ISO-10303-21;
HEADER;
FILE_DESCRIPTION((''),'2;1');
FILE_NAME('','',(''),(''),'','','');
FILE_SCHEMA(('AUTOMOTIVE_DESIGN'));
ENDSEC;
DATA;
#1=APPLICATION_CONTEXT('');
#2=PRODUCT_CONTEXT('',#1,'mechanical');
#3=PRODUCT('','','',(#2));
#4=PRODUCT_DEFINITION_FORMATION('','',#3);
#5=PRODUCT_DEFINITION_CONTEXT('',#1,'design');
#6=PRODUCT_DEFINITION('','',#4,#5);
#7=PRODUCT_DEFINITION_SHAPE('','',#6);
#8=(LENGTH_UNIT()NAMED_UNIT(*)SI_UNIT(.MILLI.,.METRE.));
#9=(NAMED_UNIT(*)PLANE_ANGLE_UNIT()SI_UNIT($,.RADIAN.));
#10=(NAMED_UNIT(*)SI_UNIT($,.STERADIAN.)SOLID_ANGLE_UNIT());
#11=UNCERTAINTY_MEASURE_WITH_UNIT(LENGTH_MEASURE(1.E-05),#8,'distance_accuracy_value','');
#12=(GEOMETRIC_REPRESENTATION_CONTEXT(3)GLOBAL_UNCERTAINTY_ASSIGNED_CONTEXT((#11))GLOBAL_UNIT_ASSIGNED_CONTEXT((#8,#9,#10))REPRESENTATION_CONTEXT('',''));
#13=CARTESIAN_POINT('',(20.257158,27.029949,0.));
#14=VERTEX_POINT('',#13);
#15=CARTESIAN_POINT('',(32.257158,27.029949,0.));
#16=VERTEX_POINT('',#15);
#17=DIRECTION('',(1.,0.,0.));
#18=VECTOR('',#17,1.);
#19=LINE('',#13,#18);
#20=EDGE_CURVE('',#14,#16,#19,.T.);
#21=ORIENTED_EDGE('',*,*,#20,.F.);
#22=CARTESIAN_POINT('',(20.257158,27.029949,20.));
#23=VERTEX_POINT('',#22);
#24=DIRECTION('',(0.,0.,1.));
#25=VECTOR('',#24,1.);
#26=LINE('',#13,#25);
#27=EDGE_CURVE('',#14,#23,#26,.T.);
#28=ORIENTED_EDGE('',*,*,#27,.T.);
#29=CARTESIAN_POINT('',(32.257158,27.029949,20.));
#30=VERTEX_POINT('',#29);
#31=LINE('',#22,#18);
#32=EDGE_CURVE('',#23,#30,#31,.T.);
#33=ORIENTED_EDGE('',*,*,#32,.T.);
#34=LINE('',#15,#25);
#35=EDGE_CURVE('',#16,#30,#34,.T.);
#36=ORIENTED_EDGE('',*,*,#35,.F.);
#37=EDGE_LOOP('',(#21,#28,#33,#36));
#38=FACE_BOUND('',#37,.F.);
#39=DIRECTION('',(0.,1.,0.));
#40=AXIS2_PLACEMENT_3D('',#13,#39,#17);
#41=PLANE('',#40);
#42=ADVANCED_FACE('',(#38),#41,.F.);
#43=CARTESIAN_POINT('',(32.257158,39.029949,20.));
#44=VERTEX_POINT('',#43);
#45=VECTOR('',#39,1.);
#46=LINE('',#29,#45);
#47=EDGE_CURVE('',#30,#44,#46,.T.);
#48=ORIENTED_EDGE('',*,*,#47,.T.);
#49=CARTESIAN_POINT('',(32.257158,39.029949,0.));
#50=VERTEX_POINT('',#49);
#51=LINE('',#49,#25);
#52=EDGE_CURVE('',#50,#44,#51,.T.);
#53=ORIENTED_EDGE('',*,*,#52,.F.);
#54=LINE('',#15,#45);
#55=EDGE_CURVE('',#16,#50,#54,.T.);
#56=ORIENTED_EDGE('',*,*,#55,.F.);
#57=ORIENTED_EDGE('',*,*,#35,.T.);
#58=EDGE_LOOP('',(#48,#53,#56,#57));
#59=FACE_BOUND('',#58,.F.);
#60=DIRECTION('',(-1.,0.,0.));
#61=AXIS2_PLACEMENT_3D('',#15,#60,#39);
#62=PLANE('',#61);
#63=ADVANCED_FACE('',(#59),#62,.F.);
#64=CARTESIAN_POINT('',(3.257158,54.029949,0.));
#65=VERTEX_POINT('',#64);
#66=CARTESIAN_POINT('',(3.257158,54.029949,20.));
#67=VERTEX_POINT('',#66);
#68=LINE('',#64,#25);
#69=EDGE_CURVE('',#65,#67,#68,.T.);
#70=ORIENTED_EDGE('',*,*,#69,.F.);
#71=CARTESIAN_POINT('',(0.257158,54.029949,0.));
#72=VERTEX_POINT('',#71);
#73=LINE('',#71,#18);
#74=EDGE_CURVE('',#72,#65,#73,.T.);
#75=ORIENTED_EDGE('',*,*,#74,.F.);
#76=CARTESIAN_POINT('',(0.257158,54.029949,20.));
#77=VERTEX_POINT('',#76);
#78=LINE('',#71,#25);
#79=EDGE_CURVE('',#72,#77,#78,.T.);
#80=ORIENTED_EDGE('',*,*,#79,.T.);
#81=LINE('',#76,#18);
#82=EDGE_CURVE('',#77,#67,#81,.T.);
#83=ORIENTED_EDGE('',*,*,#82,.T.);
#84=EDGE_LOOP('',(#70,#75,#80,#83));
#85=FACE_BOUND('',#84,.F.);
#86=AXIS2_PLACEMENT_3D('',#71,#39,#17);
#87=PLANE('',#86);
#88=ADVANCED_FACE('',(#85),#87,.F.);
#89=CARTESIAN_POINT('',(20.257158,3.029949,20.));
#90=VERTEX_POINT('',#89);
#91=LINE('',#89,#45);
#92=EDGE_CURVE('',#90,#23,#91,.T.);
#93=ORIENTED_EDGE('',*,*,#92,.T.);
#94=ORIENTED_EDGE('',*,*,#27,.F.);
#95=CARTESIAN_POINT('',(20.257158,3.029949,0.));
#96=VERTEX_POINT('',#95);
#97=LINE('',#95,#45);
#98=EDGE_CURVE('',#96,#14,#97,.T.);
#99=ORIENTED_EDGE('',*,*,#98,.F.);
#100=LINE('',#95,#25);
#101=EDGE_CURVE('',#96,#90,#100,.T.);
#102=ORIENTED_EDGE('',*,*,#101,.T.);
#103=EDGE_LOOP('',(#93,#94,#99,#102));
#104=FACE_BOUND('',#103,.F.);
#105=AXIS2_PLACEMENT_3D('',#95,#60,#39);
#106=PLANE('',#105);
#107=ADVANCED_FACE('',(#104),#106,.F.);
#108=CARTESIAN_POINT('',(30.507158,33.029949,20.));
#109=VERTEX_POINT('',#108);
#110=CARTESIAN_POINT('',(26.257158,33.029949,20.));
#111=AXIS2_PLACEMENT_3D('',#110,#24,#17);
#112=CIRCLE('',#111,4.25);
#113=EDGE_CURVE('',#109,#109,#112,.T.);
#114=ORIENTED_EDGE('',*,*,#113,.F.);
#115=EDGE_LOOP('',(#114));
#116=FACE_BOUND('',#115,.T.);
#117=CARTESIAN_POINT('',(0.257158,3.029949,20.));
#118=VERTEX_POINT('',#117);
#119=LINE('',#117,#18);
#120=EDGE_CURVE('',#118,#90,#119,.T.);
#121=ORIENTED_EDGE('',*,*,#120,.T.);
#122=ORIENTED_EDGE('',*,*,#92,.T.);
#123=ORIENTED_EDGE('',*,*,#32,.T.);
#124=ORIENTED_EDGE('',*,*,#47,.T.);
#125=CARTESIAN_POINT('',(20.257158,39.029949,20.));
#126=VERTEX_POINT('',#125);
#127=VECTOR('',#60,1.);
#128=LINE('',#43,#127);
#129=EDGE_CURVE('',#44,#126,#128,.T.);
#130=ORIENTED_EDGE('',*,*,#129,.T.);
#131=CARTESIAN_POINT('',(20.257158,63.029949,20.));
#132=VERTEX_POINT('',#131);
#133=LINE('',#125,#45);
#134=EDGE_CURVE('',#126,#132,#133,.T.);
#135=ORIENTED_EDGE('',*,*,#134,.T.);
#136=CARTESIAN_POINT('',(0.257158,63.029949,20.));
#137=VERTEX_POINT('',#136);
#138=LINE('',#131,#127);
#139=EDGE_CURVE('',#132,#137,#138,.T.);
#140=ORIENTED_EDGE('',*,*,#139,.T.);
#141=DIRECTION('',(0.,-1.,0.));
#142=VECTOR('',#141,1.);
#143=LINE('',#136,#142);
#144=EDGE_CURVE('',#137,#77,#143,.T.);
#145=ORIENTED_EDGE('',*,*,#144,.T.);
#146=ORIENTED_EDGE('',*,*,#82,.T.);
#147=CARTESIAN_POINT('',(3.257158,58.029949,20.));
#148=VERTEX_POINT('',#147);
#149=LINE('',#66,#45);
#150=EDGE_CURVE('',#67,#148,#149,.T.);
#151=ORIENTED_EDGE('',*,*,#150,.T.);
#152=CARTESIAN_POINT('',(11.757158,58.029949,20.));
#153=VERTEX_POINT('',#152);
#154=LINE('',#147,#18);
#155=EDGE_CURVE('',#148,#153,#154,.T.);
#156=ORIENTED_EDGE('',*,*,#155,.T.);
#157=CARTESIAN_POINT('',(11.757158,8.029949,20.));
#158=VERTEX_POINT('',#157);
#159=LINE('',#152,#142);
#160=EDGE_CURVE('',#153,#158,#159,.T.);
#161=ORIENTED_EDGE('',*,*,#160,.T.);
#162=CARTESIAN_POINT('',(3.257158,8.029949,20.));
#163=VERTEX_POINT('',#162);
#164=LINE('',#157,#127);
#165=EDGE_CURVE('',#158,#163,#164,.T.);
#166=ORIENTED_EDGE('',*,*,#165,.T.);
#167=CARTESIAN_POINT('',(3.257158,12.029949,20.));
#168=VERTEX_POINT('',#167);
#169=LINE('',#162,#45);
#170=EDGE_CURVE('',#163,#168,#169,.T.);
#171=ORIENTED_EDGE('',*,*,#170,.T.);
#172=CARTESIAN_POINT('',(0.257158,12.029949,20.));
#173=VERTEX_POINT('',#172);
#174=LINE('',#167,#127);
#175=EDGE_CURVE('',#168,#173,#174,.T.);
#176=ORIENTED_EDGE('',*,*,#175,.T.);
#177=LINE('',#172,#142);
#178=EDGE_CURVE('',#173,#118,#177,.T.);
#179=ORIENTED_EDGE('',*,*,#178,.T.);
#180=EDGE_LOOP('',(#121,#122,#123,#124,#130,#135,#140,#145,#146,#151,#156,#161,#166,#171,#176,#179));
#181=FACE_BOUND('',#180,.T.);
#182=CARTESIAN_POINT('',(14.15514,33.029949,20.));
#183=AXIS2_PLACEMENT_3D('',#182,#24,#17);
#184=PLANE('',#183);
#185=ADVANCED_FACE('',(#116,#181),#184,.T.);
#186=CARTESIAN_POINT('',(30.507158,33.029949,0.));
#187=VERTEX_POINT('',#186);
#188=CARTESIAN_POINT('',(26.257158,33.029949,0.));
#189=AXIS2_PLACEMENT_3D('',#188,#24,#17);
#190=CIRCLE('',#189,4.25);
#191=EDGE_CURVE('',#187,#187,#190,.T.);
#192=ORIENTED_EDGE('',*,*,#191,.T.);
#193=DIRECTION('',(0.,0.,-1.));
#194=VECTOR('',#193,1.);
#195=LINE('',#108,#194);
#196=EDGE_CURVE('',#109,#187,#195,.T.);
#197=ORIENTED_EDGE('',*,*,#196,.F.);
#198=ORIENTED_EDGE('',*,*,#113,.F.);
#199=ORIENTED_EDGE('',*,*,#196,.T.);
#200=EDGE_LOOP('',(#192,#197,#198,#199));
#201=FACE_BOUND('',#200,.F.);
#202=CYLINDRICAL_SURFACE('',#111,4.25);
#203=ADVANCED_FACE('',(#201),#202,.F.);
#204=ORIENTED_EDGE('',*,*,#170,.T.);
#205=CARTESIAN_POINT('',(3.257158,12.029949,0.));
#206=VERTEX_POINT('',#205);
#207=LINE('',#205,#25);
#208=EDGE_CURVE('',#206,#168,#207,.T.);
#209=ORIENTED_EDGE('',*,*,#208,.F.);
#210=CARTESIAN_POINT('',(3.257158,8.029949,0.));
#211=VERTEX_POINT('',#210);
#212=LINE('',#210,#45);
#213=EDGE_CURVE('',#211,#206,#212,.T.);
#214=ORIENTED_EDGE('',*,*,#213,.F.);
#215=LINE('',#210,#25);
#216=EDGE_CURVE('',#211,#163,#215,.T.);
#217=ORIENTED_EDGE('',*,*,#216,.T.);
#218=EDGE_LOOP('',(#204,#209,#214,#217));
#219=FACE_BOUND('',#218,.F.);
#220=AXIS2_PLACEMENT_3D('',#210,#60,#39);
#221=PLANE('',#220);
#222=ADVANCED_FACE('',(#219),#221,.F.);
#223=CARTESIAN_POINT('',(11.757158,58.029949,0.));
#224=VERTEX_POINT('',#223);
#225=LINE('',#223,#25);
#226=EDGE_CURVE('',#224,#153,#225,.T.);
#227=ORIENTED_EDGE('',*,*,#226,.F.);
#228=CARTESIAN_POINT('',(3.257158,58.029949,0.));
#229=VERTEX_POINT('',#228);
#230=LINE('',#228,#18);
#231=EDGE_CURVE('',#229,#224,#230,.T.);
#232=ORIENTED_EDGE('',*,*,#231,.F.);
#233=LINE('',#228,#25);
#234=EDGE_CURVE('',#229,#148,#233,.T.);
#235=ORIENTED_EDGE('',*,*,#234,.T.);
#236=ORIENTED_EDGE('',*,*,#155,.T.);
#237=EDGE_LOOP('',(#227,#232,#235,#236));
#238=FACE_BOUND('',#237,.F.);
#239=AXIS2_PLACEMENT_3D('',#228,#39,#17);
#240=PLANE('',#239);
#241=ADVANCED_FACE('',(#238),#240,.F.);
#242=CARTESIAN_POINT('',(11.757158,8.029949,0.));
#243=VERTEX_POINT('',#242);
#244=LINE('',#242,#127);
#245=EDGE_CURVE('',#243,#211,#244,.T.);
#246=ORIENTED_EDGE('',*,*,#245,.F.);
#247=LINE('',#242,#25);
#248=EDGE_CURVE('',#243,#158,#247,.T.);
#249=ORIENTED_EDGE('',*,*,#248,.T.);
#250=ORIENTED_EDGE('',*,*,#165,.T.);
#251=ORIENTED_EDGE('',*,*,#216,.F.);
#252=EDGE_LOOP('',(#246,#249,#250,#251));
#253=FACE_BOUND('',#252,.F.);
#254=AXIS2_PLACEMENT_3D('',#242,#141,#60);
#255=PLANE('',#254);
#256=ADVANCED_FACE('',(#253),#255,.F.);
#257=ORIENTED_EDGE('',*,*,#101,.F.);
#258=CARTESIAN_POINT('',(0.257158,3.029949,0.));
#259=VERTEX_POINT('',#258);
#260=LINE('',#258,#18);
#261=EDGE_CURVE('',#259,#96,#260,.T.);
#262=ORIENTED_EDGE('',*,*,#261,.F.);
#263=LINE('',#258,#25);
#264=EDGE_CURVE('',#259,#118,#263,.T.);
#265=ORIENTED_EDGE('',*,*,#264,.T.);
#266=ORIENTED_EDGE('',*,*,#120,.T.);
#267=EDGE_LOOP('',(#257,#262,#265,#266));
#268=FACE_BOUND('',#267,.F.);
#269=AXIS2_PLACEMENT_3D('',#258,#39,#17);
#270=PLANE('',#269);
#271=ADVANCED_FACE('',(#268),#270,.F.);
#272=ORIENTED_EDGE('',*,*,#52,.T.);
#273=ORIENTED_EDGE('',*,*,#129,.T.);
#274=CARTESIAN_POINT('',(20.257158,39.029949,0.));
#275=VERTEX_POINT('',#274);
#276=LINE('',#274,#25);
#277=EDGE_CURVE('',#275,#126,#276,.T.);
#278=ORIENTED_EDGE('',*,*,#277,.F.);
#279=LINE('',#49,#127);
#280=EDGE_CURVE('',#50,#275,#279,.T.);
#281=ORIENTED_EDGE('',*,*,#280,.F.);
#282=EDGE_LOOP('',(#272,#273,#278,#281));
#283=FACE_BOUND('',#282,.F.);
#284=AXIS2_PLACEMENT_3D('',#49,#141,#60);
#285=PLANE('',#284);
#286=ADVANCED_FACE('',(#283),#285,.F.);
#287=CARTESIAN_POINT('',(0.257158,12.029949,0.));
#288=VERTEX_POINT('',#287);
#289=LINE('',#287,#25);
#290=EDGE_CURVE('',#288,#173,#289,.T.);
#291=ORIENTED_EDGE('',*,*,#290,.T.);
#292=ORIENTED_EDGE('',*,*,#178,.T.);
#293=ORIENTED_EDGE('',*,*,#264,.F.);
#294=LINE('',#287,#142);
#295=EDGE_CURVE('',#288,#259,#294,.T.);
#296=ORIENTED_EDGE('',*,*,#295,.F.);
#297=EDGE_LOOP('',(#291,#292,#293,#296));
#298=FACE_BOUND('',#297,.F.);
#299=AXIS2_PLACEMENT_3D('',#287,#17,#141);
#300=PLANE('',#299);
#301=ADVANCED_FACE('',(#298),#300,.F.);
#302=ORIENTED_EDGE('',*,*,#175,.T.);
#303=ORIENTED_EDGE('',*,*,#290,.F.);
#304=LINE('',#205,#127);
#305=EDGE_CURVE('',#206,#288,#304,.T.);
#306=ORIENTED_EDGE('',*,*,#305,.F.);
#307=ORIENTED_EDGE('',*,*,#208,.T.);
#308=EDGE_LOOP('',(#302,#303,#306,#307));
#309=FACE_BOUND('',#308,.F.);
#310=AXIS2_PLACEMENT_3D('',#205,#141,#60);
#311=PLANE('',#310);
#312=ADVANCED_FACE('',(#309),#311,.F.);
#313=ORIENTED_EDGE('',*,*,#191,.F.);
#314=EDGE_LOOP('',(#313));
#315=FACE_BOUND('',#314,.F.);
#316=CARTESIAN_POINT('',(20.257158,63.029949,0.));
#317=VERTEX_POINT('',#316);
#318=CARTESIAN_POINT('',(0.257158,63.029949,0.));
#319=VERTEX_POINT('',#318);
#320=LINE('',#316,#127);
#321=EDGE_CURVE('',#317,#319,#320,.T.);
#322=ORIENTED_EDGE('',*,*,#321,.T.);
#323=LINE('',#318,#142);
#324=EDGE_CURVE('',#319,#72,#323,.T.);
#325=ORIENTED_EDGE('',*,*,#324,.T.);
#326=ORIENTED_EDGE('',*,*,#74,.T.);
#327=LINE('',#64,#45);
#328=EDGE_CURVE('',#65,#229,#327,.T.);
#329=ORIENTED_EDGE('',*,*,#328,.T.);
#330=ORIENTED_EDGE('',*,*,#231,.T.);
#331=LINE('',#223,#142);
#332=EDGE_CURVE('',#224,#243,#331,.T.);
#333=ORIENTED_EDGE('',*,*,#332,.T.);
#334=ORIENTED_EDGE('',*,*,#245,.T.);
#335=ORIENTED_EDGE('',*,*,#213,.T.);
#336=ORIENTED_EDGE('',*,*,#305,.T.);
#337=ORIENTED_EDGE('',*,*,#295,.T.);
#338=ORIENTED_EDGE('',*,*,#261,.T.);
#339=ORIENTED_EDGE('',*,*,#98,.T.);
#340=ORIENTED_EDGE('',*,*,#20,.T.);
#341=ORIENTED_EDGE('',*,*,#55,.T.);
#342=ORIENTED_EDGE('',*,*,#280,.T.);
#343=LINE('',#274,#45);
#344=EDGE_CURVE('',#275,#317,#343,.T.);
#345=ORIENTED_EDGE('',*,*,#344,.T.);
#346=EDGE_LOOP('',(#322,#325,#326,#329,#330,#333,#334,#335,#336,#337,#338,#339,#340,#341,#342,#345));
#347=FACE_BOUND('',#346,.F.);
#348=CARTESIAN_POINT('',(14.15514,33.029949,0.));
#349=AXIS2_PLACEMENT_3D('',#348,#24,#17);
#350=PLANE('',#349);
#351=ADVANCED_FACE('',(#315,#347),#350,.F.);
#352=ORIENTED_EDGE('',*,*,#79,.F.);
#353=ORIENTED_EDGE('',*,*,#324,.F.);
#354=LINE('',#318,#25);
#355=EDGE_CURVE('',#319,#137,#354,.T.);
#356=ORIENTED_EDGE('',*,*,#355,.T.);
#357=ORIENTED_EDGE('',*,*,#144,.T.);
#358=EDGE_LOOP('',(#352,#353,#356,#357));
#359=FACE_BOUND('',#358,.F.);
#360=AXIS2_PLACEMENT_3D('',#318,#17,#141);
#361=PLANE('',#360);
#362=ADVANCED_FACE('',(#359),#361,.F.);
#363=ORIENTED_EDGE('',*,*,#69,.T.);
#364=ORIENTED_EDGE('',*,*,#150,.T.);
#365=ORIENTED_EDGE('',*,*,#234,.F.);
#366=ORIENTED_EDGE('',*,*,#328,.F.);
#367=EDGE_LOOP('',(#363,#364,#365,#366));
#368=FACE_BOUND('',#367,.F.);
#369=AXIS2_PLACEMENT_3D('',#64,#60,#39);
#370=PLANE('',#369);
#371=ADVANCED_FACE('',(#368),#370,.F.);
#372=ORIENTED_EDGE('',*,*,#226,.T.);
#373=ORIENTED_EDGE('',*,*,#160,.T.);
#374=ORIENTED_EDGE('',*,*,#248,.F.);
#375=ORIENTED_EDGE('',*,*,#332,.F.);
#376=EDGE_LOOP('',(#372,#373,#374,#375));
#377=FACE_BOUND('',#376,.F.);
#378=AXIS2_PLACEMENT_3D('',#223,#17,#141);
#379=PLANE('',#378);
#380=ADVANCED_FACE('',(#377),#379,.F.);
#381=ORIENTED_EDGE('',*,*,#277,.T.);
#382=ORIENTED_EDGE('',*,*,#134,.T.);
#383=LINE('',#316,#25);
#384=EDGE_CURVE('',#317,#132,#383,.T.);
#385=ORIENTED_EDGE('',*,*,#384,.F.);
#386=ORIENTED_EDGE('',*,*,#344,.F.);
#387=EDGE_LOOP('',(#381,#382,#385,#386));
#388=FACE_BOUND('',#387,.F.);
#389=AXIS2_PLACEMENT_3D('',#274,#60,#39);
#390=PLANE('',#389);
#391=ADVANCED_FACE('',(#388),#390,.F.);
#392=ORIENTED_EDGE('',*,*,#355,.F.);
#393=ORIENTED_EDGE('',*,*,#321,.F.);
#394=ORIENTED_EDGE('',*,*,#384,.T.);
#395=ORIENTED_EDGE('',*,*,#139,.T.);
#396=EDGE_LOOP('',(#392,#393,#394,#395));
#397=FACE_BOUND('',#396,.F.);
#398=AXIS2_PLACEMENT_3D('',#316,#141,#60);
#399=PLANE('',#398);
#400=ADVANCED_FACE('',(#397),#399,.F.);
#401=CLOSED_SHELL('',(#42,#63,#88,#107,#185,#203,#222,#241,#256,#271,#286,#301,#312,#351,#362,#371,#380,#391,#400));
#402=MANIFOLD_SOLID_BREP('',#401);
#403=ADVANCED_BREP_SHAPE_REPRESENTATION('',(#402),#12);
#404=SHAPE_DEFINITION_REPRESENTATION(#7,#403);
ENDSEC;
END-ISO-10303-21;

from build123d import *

# Parameters (mm, degrees)
F1_DEPTH = 20
F2_R     = 4.25
F3_DEPTH = 20


with BuildPart() as f1:
    # F0 (on Top) → F1 (new body)
    with BuildSketch(Plane.XY):
        Polygon((3.257158, 63.029949), (0.257158, 63.029949), (0.257158, 54.029949), (3.257158, 54.029949), (3.257158, 58.029949), (11.757158, 58.029949), (11.757158, 8.029949), (3.257158, 8.029949), (3.257158, 12.029949), (0.257158, 12.029949), (0.257158, 3.029949), (3.257158, 3.029949), (20.257158, 3.029949), (20.257158, 27.029949), (32.257158, 27.029949), (32.257158, 39.029949), (20.257158, 39.029949), (20.257158, 63.029949), align=None)
    extrude(amount=F1_DEPTH)

    # F2 (on face) → F3 (cut)
    with BuildSketch(Plane.XY.offset(20)):
        with Locations((26.257158, 33.029949)):
            Circle(F2_R)
    extrude(amount=-F3_DEPTH, mode=Mode.SUBTRACT)


solid = f1.part
